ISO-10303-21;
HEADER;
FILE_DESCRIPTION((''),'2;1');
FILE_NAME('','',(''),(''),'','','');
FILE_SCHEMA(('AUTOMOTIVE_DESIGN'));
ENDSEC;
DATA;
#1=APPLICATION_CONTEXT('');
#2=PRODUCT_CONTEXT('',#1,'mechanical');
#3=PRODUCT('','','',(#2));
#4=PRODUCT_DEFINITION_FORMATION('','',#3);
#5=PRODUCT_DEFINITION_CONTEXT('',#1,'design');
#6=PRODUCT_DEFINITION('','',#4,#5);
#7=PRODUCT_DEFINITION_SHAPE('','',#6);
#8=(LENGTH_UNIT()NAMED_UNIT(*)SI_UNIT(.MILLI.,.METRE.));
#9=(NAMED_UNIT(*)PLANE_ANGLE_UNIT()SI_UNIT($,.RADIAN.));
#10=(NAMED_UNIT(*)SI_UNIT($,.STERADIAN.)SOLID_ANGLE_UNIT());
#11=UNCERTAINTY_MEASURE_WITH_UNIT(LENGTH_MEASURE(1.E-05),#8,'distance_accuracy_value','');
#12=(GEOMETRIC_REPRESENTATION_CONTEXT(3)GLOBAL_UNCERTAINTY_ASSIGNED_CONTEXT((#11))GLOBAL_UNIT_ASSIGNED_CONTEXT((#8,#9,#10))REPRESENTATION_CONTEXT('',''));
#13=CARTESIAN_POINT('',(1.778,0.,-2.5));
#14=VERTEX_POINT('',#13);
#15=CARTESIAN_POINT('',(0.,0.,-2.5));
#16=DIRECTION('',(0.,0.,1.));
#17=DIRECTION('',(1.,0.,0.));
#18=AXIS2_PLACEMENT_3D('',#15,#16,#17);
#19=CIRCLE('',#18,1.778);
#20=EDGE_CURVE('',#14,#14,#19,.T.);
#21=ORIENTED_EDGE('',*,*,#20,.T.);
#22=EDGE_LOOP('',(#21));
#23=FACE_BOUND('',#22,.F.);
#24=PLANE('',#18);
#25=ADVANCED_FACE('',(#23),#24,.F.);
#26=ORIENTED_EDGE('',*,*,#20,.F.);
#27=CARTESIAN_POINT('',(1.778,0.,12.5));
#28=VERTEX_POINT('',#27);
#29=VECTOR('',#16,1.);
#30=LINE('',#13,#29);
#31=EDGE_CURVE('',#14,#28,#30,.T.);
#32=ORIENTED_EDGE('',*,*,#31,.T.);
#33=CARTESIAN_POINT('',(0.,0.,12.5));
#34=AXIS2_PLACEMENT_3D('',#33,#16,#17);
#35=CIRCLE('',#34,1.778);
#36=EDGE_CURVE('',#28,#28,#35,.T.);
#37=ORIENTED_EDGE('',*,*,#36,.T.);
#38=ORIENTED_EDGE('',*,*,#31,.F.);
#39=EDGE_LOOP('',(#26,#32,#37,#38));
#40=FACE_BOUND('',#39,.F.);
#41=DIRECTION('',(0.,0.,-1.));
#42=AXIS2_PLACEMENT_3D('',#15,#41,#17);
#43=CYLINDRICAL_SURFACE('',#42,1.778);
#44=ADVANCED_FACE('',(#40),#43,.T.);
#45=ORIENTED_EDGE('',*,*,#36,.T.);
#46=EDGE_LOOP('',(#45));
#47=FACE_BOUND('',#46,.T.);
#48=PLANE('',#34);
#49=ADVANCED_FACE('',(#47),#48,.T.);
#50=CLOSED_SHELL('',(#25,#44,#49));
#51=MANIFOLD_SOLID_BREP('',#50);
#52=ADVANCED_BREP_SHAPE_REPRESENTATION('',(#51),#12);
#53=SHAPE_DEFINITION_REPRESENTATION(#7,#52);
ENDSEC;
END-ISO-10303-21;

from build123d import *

# Parameters (mm, degrees)
CYLINDER_R     = 1.778
CYLINDER_DEPTH = 15


with BuildPart() as part:
    # Cylinder → Cylinder (new body)
    with BuildSketch(Plane.XY.offset(-2.5)):
        Circle(CYLINDER_R)
    extrude(amount=CYLINDER_DEPTH)


solid = part.part
